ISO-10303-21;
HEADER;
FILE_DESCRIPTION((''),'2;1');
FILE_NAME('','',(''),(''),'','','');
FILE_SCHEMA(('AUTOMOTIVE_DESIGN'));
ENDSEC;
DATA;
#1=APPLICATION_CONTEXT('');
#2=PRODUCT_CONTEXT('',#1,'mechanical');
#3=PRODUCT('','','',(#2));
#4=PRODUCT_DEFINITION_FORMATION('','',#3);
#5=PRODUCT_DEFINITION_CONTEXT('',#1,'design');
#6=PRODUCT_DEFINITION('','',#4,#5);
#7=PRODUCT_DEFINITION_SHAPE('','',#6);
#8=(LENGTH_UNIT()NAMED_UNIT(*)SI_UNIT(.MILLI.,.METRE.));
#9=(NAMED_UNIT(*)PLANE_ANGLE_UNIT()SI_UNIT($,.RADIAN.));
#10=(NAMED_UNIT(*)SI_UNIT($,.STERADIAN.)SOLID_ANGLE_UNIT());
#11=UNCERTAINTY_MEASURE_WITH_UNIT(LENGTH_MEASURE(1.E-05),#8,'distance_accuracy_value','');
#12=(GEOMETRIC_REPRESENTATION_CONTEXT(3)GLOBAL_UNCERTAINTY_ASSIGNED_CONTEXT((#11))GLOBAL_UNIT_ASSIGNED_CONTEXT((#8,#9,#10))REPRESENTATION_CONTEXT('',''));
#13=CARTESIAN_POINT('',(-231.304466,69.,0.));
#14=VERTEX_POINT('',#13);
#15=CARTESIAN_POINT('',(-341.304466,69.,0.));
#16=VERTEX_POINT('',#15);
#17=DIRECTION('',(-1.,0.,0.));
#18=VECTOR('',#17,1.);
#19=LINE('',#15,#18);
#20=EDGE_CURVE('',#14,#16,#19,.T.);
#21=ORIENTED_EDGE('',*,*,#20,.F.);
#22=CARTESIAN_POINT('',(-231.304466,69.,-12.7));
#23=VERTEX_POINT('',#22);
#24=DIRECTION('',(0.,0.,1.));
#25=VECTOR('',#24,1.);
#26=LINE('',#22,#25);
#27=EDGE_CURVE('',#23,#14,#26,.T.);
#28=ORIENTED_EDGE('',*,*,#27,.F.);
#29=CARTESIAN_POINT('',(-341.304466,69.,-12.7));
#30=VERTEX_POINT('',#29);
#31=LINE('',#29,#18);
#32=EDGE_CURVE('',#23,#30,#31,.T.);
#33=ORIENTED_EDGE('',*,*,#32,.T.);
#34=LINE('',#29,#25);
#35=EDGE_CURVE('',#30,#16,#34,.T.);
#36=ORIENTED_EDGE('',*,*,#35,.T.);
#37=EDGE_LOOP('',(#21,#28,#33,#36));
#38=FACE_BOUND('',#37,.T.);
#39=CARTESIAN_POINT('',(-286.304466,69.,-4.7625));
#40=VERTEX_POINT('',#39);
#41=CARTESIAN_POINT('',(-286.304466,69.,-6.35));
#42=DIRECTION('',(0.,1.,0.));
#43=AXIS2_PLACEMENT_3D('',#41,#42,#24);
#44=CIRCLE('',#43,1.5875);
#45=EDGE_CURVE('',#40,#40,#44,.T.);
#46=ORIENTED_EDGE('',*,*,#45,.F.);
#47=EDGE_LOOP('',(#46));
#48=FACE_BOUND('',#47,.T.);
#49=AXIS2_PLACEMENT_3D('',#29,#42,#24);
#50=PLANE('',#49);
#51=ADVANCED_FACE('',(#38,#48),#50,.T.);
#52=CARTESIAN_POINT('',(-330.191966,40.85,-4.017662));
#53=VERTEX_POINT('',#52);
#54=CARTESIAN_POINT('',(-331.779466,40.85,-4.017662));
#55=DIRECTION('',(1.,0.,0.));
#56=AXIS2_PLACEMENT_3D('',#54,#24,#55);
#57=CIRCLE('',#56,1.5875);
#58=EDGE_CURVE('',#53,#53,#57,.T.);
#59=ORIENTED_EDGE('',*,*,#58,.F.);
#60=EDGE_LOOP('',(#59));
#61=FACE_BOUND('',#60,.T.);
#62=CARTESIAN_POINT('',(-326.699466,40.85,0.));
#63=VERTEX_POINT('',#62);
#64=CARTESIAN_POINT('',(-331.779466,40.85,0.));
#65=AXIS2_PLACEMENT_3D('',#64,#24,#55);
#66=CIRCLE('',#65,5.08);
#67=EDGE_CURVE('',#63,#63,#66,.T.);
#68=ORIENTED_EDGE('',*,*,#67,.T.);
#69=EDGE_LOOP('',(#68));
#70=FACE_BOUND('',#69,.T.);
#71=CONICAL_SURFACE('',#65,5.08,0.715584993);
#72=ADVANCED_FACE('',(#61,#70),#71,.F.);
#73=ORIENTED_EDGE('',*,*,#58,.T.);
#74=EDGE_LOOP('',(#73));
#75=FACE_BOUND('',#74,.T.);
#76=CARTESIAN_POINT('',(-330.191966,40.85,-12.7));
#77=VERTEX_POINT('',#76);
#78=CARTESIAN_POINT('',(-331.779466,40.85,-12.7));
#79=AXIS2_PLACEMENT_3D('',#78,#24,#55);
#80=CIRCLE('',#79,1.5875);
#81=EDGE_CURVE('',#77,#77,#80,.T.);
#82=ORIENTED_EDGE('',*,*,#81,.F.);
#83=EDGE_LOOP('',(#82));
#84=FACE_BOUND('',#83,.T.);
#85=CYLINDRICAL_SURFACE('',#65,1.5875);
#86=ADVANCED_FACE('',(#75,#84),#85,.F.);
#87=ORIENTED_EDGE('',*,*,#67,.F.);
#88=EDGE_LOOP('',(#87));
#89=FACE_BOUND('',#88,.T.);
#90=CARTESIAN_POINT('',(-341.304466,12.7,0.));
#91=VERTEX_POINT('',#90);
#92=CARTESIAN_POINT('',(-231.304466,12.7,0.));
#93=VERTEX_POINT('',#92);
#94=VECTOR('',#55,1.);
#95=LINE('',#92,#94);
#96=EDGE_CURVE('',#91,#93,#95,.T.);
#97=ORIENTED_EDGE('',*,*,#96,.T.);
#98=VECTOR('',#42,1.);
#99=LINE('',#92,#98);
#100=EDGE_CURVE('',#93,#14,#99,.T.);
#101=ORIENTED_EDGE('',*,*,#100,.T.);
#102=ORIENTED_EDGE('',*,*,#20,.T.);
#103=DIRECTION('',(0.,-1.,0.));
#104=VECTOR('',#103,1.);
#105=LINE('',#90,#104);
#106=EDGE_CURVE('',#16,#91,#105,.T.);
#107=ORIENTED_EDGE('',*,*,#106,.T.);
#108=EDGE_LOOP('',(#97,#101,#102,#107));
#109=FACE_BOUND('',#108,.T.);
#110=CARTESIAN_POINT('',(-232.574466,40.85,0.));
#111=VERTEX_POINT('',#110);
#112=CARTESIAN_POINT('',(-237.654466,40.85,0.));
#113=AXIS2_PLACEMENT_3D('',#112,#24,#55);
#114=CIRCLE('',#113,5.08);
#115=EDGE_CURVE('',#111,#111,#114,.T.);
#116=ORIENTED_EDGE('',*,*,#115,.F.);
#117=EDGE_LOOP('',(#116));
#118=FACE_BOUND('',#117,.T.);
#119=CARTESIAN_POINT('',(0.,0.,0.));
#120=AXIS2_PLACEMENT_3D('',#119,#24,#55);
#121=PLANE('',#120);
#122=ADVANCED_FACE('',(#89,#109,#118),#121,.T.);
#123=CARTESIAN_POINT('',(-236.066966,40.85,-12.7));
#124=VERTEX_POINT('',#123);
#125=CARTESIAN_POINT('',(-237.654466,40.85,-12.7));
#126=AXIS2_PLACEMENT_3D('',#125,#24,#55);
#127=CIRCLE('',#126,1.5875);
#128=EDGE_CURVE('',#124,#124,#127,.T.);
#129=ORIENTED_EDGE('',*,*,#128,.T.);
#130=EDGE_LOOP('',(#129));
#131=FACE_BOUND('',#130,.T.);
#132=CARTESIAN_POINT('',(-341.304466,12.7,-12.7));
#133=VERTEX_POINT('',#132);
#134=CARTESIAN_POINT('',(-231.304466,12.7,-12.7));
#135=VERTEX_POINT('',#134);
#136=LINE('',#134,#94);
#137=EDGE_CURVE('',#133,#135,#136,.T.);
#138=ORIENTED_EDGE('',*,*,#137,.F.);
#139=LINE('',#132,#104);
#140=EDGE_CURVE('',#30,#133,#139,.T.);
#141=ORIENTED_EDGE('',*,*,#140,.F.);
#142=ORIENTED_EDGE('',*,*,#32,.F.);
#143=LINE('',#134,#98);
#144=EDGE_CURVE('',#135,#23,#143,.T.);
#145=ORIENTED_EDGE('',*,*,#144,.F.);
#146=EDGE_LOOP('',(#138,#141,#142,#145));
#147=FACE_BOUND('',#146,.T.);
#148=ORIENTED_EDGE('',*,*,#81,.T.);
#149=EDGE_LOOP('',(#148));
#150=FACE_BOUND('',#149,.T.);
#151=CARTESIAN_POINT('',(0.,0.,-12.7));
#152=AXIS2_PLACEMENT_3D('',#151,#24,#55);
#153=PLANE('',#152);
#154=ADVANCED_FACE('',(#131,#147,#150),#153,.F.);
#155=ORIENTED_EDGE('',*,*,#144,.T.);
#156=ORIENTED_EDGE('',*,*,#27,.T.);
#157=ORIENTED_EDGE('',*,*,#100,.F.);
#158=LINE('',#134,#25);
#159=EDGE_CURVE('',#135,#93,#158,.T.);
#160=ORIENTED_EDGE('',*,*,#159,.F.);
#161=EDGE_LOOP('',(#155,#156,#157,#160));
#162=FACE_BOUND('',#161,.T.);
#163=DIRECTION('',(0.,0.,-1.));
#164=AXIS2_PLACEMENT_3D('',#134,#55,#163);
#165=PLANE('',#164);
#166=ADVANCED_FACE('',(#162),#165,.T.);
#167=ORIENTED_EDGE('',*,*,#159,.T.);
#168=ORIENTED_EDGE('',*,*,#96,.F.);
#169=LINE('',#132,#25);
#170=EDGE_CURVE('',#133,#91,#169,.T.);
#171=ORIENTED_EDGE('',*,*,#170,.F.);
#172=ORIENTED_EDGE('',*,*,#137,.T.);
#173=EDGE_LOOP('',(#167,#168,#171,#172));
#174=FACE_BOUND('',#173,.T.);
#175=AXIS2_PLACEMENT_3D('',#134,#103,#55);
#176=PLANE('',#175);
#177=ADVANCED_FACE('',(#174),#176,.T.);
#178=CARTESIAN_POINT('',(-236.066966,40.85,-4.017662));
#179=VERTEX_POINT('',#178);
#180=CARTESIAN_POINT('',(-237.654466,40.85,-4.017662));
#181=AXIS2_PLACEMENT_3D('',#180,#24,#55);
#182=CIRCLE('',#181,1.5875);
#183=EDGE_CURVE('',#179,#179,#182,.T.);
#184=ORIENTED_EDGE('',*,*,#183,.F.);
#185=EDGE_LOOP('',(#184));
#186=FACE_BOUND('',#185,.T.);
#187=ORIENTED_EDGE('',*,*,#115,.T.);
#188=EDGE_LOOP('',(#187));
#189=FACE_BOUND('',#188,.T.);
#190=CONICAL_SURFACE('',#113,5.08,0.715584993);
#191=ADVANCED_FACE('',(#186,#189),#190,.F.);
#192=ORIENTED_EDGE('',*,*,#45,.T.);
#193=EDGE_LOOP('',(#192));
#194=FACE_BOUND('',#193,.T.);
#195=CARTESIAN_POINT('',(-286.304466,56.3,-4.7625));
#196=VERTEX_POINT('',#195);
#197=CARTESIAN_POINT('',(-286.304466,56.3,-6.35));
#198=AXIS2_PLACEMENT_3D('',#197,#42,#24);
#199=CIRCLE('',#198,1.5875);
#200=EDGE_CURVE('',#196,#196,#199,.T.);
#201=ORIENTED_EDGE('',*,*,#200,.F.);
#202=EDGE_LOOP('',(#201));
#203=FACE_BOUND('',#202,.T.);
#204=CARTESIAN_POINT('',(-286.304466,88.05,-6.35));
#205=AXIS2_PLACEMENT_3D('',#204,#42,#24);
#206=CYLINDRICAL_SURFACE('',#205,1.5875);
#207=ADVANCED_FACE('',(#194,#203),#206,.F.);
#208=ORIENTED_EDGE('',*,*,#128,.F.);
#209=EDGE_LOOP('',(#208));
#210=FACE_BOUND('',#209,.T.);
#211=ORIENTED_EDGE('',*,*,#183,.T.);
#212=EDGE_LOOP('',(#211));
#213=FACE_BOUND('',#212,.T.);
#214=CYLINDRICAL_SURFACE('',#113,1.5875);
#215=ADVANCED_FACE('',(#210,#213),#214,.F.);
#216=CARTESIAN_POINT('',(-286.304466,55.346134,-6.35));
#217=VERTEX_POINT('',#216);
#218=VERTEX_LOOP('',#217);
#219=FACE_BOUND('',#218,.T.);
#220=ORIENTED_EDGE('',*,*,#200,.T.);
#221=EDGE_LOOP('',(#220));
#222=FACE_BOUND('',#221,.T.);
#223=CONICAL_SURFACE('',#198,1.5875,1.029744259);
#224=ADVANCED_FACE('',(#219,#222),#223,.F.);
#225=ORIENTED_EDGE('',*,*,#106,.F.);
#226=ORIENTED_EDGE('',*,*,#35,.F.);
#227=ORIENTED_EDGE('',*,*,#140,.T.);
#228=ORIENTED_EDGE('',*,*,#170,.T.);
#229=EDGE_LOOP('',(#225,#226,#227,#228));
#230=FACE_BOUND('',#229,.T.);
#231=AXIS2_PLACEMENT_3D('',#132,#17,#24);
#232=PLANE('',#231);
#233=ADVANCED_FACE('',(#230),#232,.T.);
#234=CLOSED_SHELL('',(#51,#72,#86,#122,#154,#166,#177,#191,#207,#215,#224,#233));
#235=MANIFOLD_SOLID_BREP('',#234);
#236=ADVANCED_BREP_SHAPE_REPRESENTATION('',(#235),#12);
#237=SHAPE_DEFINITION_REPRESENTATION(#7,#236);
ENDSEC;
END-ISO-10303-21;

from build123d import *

# Parameters (mm, degrees)
SKETCH2_W           = 110
SKETCH2_H           = 56.3
BOSS_EXTRUDE1_DEPTH = 12.7
HOLE_D              = 3.175
HOLE_DEPTH          = 31.75
HOLE_CSINK_D        = 10.16
HOLE_CSINK_ANGLE    = 82
HOLE_TIP            = 0.953866233
HOLE1_D             = 3.175
HOLE1_DEPTH         = 31.75
HOLE1_CSINK_D       = 10.16
HOLE1_CSINK_ANGLE   = 82
HOLE1_TIP           = 0.953866233


with BuildPart() as part:
    # Sketch2 → Boss-Extrude1 (new body)
    with BuildSketch(Plane.XY):
        with Locations((-286.304465963, 40.85)):
            Rectangle(SKETCH2_W, SKETCH2_H)
    extrude(amount=-BOSS_EXTRUDE1_DEPTH)

    # Hole
    with Locations(Plane(origin=(-124.004465969, 277.286738577, 0), x_dir=(-1, 0, 0), z_dir=(0, 0, 1))):
        with Locations((113.649999994, 236.436738577), (207.774999994, 236.436738577)):
            CounterSinkHole(HOLE_D / 2, HOLE_CSINK_D / 2, depth=HOLE_DEPTH, counter_sink_angle=HOLE_CSINK_ANGLE)
            with Locations((0, 0, -(HOLE_DEPTH + HOLE_TIP / 2))):  # 118° drill point
                Cone(0, HOLE_D / 2, HOLE_TIP, mode=Mode.SUBTRACT)

    # Hole1
    with Locations(Plane(origin=(-124.004465969, 88.05, -14.975709941), x_dir=(1, 0, 0), z_dir=(0, 1, 0))):
        with Locations((-162.299999994, -8.625709941), (-113.649999994, 50.157623392), (-113.649999994, 102.590956725), (162.299999994, -8.625709941), (113.649999994, 50.157623392), (113.649999994, 102.590956725), (63.85, 161.374290059), (0, 161.374290059), (-63.85, 161.374290059)):
            CounterSinkHole(HOLE1_D / 2, HOLE1_CSINK_D / 2, depth=HOLE1_DEPTH, counter_sink_angle=HOLE1_CSINK_ANGLE)
            with Locations((0, 0, -(HOLE1_DEPTH + HOLE1_TIP / 2))):  # 118° drill point
                Cone(0, HOLE1_D / 2, HOLE1_TIP, mode=Mode.SUBTRACT)


solid = part.part
